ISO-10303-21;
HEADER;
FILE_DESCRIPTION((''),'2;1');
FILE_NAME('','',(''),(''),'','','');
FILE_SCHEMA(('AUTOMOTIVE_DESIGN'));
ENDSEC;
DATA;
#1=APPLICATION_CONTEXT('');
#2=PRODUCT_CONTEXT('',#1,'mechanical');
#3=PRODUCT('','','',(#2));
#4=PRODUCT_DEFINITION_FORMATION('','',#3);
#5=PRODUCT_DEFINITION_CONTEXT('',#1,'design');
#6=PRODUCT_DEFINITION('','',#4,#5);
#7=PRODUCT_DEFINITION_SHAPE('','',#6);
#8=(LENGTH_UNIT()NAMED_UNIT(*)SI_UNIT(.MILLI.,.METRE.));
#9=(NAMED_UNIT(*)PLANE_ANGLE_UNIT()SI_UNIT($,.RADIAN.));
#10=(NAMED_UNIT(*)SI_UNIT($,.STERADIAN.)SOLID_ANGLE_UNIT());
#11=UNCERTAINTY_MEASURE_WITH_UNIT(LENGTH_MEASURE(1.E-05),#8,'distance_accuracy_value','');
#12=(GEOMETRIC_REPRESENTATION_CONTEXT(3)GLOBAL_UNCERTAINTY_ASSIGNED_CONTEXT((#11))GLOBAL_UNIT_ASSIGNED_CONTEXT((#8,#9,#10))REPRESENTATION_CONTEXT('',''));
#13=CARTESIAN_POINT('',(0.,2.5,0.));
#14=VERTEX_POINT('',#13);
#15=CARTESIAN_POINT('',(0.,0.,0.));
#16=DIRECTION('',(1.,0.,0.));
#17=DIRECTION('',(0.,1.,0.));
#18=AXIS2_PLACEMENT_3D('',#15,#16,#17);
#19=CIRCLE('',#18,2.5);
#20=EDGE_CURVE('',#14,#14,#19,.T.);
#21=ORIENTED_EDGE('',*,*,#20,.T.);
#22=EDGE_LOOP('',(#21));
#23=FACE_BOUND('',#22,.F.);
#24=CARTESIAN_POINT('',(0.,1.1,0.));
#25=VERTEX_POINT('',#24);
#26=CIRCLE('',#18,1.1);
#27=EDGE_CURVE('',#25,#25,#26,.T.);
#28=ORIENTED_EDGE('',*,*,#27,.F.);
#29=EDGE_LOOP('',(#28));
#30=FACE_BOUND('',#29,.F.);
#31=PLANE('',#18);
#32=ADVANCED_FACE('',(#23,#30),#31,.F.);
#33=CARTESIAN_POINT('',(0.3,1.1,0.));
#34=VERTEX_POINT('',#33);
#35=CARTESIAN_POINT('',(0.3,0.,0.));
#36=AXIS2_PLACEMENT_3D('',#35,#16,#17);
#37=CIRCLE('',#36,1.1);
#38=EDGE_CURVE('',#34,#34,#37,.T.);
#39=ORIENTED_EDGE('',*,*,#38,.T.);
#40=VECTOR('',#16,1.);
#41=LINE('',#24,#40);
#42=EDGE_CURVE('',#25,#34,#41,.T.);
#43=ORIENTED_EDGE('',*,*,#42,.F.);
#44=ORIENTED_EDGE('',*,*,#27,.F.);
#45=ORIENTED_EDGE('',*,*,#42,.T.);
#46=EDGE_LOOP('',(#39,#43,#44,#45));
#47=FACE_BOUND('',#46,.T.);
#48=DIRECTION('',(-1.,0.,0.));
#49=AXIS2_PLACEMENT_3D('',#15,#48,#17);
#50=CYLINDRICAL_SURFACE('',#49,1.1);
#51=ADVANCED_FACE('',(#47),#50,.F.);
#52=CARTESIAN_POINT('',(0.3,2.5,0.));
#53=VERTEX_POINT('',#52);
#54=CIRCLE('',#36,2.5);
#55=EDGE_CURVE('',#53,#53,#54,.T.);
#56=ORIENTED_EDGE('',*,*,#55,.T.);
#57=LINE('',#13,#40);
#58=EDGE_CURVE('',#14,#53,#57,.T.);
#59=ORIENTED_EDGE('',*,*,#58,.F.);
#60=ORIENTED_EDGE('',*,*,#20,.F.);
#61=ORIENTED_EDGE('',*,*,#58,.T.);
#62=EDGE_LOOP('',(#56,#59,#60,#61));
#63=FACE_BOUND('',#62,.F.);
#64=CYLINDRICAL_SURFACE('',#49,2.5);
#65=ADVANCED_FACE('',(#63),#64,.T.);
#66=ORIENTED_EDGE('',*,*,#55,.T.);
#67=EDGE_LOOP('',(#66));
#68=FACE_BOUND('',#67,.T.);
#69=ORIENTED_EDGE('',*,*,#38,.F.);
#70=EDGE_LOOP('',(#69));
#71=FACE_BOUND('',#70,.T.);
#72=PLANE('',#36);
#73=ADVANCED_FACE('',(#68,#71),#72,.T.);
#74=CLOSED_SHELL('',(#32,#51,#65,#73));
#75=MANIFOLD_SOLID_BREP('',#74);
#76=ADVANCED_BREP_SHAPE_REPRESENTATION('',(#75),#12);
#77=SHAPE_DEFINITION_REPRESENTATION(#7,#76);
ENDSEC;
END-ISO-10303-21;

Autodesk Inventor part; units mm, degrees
ref_plane "YZ Plane" through (0, 0, 0) normal (1, 0, 0) x (0, 1, 0)
ref_plane "XZ Plane" through (0, 0, 0) normal (0, 1, 0) x (-1, 0, 0)
sketch "Sketch" plane through (0, 0, 0) normal (1, 0, 0) x (0, 1, 0)
  circle A0 centre (0, 0) radius 2.5
  circle A1 centre (0, 0) radius 1.1
  dimension "d0" = 2.2
  dimension "d1" = 5
extrude "Body" add sketch "Sketch" along normal blind 0.3
ref_plane "Work Plane1" through (0, 0, 0) normal (0, 0, 1) x (1, 0, 0)
equation "\"d0\" = SD1"
equation "\"d1\" = SD2"
equation "\"d2\" = SD"
equation "\"SD1\" = 2.2"
equation "\"SD2\" = 5"
equation "\"SD\" = 0.3"
equation "\"NND\" = 2"
properties part number "DIN 125 - A 2,2" material "Steel, Mild"
